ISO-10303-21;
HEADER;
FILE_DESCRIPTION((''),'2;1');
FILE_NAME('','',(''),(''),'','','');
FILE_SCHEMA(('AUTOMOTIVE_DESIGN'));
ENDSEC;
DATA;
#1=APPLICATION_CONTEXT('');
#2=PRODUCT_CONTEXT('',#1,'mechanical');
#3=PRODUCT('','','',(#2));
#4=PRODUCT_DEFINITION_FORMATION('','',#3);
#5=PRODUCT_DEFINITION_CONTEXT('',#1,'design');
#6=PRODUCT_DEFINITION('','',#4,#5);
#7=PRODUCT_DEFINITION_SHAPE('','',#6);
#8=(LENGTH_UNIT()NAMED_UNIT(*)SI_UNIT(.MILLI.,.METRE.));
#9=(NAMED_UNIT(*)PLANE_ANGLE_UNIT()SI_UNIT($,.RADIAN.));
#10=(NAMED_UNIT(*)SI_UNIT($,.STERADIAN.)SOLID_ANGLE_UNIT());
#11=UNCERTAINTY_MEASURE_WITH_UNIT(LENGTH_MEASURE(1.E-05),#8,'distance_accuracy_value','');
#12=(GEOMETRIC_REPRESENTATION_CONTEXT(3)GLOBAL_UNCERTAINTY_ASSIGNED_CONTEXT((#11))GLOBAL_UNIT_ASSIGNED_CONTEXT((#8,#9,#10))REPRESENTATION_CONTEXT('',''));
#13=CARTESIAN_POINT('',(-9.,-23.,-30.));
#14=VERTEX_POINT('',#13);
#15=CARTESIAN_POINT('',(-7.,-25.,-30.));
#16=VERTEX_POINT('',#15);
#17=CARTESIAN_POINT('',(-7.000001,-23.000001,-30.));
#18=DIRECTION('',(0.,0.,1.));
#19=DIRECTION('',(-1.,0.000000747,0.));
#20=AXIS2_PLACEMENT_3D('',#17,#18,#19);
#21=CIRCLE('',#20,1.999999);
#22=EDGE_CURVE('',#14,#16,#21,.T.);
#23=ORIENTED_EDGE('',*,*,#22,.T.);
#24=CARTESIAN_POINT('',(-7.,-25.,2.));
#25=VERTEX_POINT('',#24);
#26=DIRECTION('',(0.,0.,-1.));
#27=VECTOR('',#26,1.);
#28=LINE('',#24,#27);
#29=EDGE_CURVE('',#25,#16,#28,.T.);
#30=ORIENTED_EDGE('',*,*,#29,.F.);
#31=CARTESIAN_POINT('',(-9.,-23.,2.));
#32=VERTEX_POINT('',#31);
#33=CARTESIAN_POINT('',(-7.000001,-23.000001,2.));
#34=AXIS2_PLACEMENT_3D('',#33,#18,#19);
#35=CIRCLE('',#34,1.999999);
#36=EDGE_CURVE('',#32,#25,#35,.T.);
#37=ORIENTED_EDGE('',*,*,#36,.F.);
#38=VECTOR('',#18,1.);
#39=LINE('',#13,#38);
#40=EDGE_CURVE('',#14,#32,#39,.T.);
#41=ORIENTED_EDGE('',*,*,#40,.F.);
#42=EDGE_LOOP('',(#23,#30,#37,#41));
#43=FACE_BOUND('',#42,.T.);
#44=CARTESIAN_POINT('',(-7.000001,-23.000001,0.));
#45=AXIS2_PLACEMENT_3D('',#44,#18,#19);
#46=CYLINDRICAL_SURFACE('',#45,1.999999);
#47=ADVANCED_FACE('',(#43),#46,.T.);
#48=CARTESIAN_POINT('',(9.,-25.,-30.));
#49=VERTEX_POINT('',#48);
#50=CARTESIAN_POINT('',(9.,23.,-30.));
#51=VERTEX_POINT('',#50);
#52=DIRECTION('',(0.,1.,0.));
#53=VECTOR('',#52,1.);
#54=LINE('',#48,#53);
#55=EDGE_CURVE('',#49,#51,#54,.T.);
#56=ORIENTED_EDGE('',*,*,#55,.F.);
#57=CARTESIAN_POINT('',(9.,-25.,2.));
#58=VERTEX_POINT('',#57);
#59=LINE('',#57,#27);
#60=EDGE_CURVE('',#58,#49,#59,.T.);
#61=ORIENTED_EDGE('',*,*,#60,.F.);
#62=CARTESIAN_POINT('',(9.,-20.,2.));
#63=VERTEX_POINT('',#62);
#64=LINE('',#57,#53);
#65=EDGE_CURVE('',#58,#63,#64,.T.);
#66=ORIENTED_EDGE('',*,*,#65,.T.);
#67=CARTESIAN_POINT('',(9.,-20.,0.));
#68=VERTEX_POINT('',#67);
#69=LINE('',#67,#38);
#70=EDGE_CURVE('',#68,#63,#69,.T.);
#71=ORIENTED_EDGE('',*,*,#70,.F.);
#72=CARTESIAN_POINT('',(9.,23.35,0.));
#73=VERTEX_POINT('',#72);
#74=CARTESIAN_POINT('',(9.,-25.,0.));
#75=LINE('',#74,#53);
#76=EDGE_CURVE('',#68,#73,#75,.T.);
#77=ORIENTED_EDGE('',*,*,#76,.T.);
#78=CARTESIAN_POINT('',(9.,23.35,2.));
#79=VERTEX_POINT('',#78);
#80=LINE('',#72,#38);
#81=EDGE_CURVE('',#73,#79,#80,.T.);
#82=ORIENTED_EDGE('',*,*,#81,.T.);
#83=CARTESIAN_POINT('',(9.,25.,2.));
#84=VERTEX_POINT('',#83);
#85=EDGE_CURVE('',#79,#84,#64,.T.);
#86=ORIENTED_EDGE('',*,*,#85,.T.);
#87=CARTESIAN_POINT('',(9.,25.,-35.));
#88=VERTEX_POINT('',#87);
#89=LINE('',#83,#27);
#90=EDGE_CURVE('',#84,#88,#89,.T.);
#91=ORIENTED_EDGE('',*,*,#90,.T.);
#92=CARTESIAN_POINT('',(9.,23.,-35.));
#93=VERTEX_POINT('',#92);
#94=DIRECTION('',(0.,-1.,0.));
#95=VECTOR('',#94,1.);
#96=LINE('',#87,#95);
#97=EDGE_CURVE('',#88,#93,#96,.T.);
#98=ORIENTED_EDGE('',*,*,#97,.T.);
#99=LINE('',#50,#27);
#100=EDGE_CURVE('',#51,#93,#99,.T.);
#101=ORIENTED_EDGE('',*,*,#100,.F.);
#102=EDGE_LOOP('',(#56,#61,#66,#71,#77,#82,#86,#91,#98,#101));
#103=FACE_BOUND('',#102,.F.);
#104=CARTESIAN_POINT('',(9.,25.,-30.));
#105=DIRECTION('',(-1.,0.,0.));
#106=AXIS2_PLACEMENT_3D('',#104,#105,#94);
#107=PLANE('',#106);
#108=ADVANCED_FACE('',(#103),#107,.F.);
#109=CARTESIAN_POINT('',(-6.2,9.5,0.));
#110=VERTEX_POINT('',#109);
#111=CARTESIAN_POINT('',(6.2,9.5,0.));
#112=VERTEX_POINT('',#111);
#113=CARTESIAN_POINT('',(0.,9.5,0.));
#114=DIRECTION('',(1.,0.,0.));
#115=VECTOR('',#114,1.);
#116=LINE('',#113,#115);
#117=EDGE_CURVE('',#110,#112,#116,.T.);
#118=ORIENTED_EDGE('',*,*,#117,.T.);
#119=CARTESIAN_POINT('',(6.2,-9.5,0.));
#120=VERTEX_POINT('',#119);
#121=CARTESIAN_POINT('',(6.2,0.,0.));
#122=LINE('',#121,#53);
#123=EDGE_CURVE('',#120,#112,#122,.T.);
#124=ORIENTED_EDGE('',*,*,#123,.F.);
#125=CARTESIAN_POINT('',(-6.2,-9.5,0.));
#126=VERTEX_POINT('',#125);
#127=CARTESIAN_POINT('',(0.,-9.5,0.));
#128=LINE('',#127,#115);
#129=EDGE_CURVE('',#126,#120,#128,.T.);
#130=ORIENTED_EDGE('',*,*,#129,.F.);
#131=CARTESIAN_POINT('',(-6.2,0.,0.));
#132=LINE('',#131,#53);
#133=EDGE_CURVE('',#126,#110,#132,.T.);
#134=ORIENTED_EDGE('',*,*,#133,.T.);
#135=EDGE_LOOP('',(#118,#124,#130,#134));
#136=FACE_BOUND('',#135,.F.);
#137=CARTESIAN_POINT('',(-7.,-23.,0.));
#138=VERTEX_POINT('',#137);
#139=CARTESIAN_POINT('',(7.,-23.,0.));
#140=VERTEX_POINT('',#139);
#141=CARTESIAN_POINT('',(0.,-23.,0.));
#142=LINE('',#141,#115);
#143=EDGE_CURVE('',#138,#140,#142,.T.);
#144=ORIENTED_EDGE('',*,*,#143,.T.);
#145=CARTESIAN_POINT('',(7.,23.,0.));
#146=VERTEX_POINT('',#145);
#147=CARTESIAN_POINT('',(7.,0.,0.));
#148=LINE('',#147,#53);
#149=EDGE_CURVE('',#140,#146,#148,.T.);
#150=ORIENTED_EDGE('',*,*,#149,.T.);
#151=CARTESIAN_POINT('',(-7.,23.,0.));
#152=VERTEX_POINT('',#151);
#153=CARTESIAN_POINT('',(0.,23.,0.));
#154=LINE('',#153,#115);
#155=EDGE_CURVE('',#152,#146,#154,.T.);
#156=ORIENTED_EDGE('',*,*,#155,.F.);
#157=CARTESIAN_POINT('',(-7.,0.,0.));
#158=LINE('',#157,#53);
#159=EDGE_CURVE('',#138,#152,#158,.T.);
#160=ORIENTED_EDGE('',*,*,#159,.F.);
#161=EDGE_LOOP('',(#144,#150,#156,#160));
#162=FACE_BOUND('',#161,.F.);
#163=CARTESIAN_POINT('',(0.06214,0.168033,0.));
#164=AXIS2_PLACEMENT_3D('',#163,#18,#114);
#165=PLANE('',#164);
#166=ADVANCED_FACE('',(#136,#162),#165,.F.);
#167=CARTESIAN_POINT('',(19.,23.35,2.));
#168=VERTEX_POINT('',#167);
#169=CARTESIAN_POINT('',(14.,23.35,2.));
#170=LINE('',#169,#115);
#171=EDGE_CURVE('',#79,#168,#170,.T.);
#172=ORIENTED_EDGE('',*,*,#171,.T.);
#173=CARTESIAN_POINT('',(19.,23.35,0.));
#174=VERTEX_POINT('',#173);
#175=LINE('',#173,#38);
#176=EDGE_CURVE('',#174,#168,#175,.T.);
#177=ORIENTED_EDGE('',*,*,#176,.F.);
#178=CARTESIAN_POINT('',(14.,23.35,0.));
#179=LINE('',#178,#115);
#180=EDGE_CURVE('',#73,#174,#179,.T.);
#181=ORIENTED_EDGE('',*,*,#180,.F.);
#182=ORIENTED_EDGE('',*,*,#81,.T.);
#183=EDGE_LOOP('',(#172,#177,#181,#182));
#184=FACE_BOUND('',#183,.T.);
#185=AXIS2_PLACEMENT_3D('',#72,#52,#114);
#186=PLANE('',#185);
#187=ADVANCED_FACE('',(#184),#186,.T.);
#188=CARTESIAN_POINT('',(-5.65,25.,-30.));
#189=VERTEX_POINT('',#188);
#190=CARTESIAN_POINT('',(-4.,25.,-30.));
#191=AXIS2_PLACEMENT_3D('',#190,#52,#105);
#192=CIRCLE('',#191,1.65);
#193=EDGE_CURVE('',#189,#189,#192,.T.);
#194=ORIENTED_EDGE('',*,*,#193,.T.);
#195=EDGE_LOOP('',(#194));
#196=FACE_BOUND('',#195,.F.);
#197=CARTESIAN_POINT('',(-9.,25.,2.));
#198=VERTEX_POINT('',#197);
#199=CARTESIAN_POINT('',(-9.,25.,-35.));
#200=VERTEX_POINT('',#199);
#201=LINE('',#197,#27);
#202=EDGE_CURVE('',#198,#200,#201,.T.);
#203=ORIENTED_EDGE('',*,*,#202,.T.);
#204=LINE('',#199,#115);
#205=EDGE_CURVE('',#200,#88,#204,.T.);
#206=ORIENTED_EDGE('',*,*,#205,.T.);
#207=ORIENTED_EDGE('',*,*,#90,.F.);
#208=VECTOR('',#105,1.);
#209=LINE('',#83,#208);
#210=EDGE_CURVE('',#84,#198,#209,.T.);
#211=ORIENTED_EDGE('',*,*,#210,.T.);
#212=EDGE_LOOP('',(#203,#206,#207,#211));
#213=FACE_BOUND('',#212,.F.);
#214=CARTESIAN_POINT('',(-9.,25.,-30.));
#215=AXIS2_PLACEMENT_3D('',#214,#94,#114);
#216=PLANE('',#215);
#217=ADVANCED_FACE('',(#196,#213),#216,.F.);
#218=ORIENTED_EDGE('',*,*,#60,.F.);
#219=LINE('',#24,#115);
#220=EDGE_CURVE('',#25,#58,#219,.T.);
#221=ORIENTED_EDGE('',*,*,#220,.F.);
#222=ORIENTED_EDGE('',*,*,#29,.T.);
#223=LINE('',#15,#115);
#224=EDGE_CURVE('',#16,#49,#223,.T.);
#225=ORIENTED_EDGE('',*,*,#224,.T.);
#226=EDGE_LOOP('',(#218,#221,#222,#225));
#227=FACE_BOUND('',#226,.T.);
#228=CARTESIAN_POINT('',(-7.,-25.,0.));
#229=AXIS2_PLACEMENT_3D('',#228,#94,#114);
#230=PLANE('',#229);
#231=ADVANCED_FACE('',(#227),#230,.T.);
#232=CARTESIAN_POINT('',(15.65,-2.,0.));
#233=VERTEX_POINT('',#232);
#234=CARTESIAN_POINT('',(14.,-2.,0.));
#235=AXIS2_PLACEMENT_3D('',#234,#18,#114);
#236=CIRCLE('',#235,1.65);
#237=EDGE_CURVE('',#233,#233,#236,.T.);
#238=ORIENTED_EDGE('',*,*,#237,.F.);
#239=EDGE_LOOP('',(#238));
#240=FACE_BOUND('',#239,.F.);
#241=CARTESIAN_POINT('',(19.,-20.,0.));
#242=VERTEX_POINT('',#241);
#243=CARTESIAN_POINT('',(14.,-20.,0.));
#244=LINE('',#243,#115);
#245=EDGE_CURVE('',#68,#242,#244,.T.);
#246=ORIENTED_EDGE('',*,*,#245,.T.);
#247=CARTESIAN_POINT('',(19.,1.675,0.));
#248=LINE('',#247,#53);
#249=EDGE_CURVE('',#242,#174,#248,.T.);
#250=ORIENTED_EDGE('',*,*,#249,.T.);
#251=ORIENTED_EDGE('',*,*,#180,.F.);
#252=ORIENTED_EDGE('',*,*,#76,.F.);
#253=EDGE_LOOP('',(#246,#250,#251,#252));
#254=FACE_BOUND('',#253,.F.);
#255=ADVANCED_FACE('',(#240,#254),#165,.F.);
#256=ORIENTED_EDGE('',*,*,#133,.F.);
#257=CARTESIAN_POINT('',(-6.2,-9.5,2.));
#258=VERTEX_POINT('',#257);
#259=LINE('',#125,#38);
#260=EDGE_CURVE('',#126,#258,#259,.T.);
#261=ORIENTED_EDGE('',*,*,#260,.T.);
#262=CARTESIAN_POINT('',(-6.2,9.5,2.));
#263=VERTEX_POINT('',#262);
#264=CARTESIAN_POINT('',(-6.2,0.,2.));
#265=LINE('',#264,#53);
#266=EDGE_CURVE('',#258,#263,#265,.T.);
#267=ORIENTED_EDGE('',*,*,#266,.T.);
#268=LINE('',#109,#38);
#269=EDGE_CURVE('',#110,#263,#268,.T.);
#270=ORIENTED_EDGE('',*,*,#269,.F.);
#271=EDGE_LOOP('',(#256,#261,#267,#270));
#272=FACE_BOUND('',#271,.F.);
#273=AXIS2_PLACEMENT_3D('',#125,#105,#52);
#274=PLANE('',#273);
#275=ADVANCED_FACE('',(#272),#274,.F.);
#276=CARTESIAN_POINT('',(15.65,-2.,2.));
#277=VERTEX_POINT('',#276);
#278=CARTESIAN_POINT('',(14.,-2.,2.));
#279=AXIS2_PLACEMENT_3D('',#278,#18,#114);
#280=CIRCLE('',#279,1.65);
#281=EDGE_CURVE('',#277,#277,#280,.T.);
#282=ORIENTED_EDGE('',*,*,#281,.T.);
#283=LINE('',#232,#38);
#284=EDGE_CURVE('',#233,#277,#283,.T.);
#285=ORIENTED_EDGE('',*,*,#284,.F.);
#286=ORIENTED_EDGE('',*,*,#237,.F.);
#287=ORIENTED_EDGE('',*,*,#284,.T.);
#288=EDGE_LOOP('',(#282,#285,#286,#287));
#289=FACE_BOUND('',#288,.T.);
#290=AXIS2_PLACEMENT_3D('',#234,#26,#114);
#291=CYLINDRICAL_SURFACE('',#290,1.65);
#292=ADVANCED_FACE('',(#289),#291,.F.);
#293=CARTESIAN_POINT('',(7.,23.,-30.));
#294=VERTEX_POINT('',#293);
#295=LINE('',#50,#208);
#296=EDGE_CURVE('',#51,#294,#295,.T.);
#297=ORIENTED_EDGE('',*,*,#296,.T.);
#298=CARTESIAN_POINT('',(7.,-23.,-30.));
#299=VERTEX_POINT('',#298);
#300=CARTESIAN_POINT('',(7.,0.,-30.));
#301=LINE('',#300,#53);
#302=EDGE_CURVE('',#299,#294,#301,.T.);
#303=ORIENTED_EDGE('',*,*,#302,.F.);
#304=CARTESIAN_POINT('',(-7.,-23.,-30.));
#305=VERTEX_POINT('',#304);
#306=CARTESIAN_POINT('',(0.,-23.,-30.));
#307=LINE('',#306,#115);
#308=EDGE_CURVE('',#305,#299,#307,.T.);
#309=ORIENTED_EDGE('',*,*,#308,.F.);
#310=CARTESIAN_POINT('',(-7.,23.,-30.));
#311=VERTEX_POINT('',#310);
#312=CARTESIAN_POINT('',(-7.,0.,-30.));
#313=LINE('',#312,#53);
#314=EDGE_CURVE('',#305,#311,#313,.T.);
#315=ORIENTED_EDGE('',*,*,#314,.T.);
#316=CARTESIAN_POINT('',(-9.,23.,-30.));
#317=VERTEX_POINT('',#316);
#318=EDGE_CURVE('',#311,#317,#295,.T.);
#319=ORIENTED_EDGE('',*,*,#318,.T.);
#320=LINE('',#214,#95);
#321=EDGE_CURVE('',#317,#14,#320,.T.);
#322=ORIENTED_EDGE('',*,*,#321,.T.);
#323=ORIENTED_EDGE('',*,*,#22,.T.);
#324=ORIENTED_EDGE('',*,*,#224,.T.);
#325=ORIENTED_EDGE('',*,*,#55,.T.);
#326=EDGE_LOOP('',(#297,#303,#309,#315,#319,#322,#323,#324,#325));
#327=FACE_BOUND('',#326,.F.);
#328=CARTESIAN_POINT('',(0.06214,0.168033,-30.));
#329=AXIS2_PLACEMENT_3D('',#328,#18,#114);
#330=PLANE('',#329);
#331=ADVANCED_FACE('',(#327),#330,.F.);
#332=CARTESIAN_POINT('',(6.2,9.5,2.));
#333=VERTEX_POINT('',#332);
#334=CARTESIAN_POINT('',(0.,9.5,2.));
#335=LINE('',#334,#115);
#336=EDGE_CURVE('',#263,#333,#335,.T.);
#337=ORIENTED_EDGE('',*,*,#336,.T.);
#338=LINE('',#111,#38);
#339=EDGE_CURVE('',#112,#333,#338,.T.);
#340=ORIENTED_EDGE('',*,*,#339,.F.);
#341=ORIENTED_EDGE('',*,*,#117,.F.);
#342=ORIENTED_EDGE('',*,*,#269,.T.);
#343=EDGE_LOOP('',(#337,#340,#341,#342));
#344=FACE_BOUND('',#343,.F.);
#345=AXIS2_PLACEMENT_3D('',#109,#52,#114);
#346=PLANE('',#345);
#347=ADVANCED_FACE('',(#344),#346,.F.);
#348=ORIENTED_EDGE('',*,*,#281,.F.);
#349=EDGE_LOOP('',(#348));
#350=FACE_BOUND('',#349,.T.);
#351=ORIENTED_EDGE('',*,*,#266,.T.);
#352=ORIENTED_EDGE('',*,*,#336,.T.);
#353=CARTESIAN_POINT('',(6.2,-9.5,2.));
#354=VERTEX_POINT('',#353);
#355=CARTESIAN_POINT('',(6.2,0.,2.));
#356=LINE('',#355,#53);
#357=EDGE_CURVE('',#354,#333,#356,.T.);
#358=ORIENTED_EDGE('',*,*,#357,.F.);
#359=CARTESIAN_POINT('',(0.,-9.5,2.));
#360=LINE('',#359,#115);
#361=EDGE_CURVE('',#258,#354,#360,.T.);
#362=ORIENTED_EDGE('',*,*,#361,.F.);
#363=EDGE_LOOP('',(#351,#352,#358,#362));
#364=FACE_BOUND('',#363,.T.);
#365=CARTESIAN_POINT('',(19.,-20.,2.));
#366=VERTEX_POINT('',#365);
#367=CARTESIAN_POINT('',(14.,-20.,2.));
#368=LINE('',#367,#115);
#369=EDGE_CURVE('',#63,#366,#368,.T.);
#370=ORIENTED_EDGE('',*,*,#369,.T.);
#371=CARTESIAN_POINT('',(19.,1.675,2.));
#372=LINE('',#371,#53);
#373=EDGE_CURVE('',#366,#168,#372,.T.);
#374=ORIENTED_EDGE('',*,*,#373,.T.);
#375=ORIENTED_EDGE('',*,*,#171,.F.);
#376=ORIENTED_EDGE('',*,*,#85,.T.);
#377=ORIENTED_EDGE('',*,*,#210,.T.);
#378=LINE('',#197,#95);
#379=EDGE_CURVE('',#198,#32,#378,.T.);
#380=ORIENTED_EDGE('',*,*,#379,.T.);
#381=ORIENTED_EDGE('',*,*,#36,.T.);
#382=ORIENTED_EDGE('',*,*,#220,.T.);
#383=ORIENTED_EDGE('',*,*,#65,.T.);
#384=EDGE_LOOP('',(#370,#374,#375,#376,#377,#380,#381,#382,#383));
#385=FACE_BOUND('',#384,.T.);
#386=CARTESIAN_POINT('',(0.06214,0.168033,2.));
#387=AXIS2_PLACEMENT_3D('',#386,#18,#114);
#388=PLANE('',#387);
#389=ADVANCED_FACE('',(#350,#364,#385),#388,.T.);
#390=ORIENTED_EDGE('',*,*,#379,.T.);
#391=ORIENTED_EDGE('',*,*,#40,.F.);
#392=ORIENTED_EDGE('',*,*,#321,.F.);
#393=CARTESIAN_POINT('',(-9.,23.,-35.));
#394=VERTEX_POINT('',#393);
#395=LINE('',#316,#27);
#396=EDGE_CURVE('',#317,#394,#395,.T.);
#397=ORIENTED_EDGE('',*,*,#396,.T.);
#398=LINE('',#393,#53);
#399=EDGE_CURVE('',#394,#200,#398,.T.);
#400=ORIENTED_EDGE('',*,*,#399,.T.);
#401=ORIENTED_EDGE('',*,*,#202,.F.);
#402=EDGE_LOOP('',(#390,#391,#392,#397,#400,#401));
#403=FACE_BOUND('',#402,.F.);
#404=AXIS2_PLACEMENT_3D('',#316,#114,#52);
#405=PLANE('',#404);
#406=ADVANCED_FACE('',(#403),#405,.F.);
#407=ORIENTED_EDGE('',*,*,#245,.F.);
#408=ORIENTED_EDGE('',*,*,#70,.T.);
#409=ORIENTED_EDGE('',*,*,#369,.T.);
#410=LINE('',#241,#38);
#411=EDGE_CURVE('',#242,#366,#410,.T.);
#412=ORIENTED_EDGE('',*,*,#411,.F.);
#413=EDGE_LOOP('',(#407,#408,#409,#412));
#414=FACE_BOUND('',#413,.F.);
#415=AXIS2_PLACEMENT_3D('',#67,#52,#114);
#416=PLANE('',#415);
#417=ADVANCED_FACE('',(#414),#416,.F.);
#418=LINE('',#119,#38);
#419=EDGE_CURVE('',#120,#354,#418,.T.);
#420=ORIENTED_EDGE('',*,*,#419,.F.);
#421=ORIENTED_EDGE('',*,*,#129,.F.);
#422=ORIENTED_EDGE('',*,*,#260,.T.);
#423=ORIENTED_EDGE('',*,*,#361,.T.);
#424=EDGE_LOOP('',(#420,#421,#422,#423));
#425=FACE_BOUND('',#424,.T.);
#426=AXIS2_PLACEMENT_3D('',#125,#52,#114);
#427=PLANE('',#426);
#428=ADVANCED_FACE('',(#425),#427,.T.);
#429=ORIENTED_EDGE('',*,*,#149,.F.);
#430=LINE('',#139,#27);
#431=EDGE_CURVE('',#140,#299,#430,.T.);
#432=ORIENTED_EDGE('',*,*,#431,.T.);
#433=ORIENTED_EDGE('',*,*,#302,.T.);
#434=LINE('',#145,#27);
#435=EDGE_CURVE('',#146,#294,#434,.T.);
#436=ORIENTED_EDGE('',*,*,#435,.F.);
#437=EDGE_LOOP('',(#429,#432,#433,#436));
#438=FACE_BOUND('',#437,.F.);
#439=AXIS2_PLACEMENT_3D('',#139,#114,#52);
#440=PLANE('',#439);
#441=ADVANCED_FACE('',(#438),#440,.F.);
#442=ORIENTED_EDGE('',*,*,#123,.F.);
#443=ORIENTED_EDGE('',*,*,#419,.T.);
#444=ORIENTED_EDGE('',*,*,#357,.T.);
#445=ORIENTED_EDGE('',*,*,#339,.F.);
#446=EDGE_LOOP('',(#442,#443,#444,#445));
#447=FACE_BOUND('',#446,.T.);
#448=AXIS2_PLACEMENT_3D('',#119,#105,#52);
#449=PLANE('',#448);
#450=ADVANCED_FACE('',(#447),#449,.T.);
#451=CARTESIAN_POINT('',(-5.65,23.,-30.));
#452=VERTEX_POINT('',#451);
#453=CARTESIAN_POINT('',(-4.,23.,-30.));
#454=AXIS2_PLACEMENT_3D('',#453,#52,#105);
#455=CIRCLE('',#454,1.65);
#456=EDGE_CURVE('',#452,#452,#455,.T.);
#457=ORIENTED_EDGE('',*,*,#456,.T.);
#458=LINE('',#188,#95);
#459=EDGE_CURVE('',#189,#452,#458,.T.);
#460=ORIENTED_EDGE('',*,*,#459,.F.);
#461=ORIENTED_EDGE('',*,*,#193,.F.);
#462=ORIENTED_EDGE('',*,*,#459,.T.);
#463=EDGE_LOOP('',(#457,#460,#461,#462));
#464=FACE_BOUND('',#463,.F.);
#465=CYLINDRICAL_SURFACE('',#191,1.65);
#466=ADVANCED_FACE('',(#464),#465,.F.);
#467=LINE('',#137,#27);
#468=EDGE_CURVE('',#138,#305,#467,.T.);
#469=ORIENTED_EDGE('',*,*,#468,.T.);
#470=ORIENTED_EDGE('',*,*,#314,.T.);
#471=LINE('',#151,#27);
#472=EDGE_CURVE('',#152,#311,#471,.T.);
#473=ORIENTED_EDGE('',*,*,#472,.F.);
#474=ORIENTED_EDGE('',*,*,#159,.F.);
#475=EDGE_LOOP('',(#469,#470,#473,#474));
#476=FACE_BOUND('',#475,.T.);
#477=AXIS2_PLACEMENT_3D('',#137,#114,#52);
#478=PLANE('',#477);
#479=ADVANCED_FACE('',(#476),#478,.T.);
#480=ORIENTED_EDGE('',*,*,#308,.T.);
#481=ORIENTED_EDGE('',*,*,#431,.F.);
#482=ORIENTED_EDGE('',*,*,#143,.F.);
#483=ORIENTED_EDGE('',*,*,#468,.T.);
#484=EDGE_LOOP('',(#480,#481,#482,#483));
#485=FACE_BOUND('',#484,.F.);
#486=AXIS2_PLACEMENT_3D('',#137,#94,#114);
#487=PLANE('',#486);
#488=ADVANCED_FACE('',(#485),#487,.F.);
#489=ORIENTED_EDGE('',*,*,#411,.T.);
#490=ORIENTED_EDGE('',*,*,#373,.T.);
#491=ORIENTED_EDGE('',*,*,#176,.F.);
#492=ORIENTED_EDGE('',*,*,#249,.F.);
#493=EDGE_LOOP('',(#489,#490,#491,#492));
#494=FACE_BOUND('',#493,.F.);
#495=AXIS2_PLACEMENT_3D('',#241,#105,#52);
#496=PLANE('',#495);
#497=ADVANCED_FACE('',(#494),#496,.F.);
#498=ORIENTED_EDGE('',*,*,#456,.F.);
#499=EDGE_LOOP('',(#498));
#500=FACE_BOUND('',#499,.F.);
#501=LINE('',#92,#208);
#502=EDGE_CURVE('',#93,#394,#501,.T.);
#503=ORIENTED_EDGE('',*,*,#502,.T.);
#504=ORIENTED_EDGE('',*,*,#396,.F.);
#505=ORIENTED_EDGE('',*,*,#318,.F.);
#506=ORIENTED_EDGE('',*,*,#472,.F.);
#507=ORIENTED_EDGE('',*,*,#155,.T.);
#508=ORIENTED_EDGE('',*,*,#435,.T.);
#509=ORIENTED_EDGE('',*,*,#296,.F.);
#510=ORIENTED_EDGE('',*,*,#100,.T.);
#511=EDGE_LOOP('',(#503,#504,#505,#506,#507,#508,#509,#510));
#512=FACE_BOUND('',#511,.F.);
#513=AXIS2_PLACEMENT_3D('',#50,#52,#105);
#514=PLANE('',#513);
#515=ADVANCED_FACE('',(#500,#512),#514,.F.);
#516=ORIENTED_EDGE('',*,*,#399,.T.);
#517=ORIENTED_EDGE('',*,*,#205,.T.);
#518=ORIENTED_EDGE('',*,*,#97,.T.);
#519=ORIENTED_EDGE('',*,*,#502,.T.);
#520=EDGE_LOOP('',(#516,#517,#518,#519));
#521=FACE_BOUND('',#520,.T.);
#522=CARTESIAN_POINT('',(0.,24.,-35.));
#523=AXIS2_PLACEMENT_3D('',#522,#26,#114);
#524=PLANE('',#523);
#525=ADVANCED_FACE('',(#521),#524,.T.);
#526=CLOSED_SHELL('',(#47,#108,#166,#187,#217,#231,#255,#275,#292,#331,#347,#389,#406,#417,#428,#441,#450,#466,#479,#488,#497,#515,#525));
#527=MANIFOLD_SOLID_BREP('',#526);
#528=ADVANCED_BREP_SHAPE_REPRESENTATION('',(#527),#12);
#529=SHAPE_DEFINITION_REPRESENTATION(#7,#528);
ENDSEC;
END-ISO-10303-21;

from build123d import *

# Parameters (mm, degrees)
F0_W          = 14
F0_H          = 46
F0_W_2        = 10
F0_H_2        = 43.35
F0_R          = 1.65
F0_W_3        = 12.4
F0_H_3        = 19
F1_DEPTH      = 2
F2_DEPTH      = 30
F4_DEPTH      = 5
F5_R          = 1.65
F6_DEPTH      = 25
F6_DEPTH_BACK = 25


with BuildPart() as f1:
    # F0 (on Top) → F1 (new body)
    with BuildSketch(Plane.XY):
        with BuildLine():
            Line((9, 25), (-9, 25))
            Line((-9, 25), (-9, -23))
            ThreePointArc((-9, -23), (-8.414214, -24.414214), (-7, -25))
            Line((-7, -25), (9, -25))
            Line((9, -25), (9, -20))
            Line((9, -20), (9, 23.35))
            Line((9, 23.35), (9, 25))
        make_face()
        Rectangle(F0_W, F0_H, mode=Mode.SUBTRACT)
        with Locations((14, 1.675)):
            Rectangle(F0_W_2, F0_H_2)
        with Locations((14, -2)):
            Circle(F0_R, mode=Mode.SUBTRACT)
        Rectangle(F0_W, F0_H)
        Rectangle(F0_W_3, F0_H_3, mode=Mode.SUBTRACT)
    extrude(amount=F1_DEPTH)

    # F0 (on Top) → F2 (join)
    with BuildSketch(Plane.XY):
        with BuildLine():
            Line((9, 25), (-9, 25))
            Line((-9, 25), (-9, -23))
            ThreePointArc((-9, -23), (-8.414214, -24.414214), (-7, -25))
            Line((-7, -25), (9, -25))
            Line((9, -25), (9, -20))
            Line((9, -20), (9, 23.35))
            Line((9, 23.35), (9, 25))
        make_face()
        Rectangle(F0_W, F0_H, mode=Mode.SUBTRACT)
    extrude(amount=-F2_DEPTH)

    # F3 (on face) → F4 (join)
    with BuildSketch(Plane(origin=(0, 0, -30), x_dir=(1, 0, 0), z_dir=(0, 0, -1))):
        Polygon((-9, -23), (-9, -25), (9, -25), (9, -23), (7, -23), (-7, -23), align=None)
    extrude(amount=F4_DEPTH)

    # F5 (on face) → F6 (cut, two sides)
    with BuildSketch(Plane(origin=(0, 25, 0), x_dir=(-1, 0, 0), z_dir=(0, 1, 0))) as f6_sk:
        with Locations((4, -30)):
            Circle(F5_R)
    extrude(amount=-F6_DEPTH, mode=Mode.SUBTRACT)
    extrude(f6_sk.sketch, amount=-F6_DEPTH_BACK, mode=Mode.SUBTRACT)


solid = f1.part
